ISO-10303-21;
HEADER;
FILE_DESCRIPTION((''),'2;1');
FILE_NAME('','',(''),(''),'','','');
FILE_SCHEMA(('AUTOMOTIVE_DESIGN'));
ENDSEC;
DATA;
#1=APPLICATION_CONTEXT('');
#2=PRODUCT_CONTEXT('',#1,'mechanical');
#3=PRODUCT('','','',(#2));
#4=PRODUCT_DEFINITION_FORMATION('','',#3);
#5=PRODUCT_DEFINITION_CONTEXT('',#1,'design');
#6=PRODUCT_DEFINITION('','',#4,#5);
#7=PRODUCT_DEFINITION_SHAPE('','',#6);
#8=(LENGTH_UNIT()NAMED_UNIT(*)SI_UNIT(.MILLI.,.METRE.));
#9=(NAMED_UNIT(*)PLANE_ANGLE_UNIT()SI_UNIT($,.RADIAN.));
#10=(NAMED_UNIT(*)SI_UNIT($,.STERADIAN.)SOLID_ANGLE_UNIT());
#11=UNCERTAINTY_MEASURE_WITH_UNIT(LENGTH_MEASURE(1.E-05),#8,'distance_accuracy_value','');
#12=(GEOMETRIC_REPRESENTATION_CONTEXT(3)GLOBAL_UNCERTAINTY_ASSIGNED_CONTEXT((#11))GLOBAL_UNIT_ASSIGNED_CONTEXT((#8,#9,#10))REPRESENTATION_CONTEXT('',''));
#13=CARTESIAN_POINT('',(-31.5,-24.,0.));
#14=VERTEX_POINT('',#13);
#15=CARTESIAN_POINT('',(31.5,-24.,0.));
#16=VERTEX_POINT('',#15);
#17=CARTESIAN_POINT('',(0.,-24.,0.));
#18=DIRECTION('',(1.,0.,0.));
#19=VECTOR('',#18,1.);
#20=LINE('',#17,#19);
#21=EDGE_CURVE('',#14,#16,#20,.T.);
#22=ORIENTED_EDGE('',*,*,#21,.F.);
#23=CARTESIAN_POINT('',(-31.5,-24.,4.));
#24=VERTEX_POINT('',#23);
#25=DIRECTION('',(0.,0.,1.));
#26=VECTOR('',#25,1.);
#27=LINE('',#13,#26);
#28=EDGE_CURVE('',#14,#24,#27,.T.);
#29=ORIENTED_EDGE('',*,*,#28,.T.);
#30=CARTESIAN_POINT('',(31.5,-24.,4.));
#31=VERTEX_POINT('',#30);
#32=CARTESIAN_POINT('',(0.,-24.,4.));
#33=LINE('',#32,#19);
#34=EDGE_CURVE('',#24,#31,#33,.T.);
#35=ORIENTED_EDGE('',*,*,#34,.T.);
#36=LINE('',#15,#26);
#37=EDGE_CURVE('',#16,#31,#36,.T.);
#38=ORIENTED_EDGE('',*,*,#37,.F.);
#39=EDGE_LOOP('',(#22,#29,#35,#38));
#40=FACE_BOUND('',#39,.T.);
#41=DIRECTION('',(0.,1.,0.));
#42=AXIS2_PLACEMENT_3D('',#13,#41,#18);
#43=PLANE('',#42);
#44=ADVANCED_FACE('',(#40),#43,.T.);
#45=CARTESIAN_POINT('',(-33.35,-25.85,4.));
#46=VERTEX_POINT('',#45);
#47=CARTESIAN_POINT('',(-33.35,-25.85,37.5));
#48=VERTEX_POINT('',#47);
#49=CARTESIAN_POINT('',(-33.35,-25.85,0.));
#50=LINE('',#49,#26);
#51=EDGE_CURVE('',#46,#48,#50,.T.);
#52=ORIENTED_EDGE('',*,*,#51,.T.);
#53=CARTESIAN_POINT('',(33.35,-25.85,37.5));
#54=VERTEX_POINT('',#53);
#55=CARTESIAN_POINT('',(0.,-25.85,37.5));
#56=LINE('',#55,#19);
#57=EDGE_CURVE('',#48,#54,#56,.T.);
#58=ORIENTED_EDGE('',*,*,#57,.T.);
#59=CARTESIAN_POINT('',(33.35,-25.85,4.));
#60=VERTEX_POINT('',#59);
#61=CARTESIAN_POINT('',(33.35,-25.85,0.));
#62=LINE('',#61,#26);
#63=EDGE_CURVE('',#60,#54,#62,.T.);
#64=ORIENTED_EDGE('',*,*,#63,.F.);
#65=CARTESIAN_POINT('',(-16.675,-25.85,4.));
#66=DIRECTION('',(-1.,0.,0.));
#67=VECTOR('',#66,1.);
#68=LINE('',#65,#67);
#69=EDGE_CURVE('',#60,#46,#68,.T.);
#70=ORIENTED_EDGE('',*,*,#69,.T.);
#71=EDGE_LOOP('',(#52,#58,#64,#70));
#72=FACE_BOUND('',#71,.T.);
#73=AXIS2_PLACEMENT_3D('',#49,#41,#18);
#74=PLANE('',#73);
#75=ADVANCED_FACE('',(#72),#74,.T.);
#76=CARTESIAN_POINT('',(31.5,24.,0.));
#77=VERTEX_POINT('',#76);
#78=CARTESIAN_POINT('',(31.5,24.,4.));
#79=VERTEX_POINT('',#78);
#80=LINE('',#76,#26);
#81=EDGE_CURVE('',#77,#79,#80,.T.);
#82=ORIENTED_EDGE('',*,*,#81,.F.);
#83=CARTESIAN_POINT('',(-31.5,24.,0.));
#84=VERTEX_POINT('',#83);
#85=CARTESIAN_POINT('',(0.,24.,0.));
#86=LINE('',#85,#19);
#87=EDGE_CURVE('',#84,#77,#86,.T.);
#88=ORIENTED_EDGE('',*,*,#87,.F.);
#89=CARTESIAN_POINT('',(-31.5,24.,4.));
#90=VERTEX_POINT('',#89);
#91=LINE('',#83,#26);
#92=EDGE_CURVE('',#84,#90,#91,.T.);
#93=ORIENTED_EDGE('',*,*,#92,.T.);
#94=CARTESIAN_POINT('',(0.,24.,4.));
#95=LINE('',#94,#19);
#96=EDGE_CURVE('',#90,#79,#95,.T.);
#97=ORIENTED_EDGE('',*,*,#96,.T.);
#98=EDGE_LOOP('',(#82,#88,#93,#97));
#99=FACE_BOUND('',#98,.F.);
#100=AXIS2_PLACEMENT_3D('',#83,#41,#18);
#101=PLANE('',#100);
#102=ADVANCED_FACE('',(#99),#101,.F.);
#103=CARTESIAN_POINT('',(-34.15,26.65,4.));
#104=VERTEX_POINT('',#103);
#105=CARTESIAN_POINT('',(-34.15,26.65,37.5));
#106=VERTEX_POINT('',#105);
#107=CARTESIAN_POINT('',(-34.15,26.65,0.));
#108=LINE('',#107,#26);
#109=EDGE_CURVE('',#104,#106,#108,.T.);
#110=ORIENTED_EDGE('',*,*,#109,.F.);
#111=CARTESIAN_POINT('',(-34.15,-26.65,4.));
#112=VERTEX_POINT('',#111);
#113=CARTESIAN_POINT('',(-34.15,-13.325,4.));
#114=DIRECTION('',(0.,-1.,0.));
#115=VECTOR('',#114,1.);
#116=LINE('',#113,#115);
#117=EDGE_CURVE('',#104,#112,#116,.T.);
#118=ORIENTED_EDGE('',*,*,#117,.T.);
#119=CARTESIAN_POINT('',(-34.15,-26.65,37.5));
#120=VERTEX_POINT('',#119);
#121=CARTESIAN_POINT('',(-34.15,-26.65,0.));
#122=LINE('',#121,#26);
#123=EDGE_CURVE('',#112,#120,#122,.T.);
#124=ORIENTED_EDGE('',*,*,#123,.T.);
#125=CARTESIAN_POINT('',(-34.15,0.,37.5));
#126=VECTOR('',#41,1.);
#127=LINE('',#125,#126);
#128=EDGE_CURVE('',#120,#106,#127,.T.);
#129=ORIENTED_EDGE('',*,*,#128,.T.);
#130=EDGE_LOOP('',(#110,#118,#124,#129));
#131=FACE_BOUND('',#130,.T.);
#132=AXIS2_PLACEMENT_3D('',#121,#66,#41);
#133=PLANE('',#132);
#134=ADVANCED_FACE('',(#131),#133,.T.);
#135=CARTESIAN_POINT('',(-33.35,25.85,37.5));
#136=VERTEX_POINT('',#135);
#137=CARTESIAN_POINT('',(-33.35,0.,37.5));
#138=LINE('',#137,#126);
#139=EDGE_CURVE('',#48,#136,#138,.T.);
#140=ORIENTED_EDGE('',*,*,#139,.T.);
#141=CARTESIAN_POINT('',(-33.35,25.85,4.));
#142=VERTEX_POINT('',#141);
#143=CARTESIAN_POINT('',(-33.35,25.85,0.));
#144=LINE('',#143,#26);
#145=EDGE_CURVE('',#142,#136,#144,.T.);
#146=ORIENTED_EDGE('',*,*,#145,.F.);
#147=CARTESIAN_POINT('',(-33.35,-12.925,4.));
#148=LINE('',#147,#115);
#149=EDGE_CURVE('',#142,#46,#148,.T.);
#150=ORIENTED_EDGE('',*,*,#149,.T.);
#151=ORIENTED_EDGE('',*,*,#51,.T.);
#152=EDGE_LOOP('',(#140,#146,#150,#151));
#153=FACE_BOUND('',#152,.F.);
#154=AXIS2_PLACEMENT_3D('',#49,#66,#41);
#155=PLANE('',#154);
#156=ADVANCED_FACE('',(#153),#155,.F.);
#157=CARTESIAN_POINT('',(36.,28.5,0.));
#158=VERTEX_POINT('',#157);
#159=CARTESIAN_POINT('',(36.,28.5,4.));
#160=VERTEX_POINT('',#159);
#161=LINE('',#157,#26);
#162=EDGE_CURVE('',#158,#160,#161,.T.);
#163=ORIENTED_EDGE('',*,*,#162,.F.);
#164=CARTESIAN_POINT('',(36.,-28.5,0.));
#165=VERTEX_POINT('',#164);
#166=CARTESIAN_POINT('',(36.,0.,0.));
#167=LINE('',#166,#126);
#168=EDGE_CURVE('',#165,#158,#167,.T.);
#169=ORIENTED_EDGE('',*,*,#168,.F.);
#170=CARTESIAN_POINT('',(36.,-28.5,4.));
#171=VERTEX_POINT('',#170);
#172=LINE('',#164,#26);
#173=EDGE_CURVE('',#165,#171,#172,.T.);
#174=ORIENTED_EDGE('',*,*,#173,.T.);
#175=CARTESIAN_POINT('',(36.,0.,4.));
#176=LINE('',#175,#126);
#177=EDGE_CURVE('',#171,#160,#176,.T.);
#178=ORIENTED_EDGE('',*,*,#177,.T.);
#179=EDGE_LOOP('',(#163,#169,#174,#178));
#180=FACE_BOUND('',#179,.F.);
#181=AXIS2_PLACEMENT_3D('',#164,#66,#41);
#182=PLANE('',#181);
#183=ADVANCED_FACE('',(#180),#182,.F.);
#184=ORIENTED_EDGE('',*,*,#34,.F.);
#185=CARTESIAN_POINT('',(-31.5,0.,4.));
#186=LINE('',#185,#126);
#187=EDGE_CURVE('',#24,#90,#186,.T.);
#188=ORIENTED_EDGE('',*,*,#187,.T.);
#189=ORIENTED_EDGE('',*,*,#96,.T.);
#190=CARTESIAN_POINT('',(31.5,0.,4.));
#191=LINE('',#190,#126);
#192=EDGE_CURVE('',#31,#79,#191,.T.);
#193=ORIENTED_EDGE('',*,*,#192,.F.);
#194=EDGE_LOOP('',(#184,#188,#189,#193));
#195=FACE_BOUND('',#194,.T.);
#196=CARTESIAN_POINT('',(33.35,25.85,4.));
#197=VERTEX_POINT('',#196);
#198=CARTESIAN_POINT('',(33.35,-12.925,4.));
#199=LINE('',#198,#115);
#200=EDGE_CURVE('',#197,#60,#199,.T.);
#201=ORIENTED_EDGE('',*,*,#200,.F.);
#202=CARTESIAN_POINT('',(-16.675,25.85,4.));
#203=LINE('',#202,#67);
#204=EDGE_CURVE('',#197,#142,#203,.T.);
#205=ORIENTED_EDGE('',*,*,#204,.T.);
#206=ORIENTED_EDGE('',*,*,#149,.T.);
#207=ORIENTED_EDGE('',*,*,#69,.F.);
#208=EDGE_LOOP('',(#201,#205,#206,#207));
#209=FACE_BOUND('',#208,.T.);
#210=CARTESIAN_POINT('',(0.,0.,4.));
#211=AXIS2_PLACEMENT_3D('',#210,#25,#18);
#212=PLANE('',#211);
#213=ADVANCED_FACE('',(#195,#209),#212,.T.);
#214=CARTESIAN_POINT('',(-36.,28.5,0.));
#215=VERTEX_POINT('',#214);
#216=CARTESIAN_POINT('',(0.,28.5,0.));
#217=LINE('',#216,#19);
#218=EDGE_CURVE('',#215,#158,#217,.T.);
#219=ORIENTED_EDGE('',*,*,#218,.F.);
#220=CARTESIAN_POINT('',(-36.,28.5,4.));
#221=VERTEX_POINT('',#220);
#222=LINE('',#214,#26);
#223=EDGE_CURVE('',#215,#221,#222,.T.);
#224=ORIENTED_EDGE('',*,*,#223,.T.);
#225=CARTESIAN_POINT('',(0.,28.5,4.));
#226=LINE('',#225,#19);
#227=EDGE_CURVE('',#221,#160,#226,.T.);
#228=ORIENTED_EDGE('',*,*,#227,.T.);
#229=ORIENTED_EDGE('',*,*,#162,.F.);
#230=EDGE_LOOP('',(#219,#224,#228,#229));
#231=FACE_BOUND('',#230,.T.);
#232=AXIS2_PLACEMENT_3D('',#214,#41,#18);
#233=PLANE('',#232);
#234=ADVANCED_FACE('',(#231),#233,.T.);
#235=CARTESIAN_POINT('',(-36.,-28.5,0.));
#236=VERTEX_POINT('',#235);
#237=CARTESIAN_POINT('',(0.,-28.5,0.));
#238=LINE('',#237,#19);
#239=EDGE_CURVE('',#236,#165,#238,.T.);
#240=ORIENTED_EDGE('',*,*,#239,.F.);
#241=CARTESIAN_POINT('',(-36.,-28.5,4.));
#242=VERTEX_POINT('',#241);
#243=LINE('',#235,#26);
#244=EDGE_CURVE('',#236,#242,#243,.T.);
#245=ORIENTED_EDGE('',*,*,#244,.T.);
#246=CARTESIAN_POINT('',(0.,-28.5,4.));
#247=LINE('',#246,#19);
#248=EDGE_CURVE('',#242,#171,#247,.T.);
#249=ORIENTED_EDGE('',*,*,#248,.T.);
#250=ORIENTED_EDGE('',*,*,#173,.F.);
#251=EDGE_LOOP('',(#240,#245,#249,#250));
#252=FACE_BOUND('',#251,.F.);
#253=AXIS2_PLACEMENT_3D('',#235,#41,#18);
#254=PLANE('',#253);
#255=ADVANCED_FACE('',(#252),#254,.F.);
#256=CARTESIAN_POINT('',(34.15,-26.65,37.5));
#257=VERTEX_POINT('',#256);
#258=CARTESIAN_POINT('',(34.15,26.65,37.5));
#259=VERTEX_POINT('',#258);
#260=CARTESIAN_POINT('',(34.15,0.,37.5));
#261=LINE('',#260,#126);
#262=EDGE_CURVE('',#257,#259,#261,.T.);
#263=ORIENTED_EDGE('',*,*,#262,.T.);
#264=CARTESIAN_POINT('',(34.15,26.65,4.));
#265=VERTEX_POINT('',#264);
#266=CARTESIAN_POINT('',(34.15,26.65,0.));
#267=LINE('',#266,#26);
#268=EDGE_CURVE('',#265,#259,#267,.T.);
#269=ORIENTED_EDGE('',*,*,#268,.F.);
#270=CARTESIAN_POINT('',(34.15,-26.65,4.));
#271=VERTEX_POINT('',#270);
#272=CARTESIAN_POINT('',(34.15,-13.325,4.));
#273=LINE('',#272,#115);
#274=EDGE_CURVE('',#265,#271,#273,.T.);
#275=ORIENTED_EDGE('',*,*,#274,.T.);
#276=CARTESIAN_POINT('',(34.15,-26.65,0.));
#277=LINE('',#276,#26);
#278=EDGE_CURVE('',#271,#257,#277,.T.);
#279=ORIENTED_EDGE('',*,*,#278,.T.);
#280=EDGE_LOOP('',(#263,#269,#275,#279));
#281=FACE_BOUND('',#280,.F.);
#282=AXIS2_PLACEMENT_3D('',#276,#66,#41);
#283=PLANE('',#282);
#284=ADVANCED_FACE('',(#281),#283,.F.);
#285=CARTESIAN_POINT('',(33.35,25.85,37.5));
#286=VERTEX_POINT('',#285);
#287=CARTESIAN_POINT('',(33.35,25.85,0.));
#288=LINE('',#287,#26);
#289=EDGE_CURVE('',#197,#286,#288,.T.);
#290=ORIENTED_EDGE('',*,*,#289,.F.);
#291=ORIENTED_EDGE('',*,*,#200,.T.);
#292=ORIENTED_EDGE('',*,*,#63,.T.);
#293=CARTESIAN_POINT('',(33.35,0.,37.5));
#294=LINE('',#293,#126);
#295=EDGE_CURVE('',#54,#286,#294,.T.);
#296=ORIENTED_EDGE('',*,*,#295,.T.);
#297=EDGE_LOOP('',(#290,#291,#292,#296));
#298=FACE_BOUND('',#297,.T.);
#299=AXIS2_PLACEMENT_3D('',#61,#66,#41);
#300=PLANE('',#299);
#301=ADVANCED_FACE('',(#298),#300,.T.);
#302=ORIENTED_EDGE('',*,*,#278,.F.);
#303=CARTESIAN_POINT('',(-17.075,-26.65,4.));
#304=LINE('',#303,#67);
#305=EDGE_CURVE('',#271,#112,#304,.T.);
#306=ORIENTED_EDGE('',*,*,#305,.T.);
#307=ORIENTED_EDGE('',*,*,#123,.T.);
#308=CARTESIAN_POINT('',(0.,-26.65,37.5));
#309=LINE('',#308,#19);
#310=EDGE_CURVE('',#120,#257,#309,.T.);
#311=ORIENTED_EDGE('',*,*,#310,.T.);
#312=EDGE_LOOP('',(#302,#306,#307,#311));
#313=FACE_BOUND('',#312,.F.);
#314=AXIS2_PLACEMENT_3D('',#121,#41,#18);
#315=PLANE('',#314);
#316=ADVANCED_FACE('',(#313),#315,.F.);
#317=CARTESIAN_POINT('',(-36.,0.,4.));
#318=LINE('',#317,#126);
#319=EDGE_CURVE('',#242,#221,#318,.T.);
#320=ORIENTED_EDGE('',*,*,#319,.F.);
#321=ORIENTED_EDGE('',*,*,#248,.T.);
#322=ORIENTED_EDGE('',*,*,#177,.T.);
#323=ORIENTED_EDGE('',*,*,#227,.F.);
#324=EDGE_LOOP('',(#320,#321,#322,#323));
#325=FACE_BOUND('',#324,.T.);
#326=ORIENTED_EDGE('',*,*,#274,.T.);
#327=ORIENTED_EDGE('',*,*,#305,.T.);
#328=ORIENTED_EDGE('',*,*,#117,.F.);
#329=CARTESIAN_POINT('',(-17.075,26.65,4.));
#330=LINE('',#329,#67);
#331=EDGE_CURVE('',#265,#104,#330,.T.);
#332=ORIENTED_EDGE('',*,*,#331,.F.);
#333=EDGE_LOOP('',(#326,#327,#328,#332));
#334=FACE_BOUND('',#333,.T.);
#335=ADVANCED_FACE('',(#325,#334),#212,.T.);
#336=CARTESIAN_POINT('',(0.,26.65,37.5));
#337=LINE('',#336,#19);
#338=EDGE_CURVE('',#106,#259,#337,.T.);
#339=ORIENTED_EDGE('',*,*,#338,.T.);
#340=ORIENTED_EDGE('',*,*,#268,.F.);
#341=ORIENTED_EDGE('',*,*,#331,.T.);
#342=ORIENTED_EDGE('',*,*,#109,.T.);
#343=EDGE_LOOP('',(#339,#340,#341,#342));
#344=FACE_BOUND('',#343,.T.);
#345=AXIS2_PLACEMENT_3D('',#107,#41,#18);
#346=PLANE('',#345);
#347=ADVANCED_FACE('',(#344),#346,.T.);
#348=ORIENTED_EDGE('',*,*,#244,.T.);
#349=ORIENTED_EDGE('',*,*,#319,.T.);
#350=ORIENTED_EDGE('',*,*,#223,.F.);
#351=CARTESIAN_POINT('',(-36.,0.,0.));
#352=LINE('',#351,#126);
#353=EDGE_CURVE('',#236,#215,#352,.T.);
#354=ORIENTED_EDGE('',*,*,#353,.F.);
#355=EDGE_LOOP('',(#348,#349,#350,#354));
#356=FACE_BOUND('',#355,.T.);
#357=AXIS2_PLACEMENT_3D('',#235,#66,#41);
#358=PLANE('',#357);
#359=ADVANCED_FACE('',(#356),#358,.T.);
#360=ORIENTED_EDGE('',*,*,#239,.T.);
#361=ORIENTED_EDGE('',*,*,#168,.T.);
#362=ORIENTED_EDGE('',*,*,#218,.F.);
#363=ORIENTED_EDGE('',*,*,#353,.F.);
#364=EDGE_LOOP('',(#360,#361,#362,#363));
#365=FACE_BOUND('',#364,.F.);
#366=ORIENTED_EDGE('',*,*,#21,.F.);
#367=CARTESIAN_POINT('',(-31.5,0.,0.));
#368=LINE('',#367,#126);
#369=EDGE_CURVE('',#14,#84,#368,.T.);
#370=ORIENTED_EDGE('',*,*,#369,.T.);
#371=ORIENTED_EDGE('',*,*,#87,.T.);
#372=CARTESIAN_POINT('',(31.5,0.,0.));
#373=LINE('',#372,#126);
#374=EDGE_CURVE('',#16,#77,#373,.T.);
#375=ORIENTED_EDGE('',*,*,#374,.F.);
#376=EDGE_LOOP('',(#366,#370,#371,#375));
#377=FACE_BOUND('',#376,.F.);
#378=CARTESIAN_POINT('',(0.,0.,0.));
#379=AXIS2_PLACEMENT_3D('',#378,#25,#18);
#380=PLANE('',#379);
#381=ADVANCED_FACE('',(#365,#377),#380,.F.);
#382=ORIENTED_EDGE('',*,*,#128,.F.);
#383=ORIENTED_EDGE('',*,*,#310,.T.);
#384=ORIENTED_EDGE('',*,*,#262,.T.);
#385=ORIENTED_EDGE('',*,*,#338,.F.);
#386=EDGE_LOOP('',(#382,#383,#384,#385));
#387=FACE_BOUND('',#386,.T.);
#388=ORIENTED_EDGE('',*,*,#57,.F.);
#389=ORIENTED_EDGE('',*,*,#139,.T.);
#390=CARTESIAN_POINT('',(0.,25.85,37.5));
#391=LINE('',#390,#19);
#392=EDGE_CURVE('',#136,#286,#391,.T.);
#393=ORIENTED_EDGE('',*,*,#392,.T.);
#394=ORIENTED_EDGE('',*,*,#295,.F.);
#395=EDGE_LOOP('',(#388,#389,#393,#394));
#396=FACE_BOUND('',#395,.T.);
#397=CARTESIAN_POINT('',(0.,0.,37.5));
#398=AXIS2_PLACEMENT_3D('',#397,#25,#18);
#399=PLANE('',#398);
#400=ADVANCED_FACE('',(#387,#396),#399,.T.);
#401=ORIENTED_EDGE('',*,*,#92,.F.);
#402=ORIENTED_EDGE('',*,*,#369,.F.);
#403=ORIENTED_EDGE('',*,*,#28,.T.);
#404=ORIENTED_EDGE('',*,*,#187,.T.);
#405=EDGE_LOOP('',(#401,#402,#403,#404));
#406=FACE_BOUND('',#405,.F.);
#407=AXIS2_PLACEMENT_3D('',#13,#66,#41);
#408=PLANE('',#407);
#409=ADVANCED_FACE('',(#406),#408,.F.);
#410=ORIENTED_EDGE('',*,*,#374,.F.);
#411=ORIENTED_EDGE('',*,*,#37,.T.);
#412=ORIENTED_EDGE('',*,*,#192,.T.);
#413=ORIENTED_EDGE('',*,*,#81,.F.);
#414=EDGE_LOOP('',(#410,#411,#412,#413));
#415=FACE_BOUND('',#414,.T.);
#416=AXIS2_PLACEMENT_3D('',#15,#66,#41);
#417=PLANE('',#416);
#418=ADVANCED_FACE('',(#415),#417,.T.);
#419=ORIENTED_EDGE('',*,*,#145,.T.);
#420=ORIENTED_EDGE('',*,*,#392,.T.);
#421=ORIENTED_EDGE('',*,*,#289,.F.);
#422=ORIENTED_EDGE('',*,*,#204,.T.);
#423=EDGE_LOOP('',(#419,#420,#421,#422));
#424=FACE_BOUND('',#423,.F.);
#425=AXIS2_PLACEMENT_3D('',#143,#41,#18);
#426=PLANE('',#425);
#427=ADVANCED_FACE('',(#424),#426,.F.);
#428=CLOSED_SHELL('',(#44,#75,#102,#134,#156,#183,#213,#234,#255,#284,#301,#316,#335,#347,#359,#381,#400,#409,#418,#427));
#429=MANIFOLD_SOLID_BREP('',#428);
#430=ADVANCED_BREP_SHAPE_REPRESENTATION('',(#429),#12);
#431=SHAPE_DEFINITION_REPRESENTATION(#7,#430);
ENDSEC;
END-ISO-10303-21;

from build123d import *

# Parameters (mm, degrees)
F0_W     = 72
F0_H     = 57
F0_W_2   = 63
F0_H_2   = 48
F1_DEPTH = 4
F2_W     = 68.3
F2_H     = 53.3
F2_W_2   = 66.7
F2_H_2   = 51.7
F3_DEPTH = 37.5


with BuildPart() as f1:
    # F0 (on Top) → F1 (new body)
    with BuildSketch(Plane.XY):
        Rectangle(F0_W, F0_H)
        Rectangle(F0_W_2, F0_H_2, mode=Mode.SUBTRACT)
    extrude(amount=F1_DEPTH)

    # F2 (on Top) → F3 (join)
    with BuildSketch(Plane.XY):
        Rectangle(F2_W, F2_H)
        Rectangle(F2_W_2, F2_H_2, mode=Mode.SUBTRACT)
    extrude(amount=F3_DEPTH)


solid = f1.part
